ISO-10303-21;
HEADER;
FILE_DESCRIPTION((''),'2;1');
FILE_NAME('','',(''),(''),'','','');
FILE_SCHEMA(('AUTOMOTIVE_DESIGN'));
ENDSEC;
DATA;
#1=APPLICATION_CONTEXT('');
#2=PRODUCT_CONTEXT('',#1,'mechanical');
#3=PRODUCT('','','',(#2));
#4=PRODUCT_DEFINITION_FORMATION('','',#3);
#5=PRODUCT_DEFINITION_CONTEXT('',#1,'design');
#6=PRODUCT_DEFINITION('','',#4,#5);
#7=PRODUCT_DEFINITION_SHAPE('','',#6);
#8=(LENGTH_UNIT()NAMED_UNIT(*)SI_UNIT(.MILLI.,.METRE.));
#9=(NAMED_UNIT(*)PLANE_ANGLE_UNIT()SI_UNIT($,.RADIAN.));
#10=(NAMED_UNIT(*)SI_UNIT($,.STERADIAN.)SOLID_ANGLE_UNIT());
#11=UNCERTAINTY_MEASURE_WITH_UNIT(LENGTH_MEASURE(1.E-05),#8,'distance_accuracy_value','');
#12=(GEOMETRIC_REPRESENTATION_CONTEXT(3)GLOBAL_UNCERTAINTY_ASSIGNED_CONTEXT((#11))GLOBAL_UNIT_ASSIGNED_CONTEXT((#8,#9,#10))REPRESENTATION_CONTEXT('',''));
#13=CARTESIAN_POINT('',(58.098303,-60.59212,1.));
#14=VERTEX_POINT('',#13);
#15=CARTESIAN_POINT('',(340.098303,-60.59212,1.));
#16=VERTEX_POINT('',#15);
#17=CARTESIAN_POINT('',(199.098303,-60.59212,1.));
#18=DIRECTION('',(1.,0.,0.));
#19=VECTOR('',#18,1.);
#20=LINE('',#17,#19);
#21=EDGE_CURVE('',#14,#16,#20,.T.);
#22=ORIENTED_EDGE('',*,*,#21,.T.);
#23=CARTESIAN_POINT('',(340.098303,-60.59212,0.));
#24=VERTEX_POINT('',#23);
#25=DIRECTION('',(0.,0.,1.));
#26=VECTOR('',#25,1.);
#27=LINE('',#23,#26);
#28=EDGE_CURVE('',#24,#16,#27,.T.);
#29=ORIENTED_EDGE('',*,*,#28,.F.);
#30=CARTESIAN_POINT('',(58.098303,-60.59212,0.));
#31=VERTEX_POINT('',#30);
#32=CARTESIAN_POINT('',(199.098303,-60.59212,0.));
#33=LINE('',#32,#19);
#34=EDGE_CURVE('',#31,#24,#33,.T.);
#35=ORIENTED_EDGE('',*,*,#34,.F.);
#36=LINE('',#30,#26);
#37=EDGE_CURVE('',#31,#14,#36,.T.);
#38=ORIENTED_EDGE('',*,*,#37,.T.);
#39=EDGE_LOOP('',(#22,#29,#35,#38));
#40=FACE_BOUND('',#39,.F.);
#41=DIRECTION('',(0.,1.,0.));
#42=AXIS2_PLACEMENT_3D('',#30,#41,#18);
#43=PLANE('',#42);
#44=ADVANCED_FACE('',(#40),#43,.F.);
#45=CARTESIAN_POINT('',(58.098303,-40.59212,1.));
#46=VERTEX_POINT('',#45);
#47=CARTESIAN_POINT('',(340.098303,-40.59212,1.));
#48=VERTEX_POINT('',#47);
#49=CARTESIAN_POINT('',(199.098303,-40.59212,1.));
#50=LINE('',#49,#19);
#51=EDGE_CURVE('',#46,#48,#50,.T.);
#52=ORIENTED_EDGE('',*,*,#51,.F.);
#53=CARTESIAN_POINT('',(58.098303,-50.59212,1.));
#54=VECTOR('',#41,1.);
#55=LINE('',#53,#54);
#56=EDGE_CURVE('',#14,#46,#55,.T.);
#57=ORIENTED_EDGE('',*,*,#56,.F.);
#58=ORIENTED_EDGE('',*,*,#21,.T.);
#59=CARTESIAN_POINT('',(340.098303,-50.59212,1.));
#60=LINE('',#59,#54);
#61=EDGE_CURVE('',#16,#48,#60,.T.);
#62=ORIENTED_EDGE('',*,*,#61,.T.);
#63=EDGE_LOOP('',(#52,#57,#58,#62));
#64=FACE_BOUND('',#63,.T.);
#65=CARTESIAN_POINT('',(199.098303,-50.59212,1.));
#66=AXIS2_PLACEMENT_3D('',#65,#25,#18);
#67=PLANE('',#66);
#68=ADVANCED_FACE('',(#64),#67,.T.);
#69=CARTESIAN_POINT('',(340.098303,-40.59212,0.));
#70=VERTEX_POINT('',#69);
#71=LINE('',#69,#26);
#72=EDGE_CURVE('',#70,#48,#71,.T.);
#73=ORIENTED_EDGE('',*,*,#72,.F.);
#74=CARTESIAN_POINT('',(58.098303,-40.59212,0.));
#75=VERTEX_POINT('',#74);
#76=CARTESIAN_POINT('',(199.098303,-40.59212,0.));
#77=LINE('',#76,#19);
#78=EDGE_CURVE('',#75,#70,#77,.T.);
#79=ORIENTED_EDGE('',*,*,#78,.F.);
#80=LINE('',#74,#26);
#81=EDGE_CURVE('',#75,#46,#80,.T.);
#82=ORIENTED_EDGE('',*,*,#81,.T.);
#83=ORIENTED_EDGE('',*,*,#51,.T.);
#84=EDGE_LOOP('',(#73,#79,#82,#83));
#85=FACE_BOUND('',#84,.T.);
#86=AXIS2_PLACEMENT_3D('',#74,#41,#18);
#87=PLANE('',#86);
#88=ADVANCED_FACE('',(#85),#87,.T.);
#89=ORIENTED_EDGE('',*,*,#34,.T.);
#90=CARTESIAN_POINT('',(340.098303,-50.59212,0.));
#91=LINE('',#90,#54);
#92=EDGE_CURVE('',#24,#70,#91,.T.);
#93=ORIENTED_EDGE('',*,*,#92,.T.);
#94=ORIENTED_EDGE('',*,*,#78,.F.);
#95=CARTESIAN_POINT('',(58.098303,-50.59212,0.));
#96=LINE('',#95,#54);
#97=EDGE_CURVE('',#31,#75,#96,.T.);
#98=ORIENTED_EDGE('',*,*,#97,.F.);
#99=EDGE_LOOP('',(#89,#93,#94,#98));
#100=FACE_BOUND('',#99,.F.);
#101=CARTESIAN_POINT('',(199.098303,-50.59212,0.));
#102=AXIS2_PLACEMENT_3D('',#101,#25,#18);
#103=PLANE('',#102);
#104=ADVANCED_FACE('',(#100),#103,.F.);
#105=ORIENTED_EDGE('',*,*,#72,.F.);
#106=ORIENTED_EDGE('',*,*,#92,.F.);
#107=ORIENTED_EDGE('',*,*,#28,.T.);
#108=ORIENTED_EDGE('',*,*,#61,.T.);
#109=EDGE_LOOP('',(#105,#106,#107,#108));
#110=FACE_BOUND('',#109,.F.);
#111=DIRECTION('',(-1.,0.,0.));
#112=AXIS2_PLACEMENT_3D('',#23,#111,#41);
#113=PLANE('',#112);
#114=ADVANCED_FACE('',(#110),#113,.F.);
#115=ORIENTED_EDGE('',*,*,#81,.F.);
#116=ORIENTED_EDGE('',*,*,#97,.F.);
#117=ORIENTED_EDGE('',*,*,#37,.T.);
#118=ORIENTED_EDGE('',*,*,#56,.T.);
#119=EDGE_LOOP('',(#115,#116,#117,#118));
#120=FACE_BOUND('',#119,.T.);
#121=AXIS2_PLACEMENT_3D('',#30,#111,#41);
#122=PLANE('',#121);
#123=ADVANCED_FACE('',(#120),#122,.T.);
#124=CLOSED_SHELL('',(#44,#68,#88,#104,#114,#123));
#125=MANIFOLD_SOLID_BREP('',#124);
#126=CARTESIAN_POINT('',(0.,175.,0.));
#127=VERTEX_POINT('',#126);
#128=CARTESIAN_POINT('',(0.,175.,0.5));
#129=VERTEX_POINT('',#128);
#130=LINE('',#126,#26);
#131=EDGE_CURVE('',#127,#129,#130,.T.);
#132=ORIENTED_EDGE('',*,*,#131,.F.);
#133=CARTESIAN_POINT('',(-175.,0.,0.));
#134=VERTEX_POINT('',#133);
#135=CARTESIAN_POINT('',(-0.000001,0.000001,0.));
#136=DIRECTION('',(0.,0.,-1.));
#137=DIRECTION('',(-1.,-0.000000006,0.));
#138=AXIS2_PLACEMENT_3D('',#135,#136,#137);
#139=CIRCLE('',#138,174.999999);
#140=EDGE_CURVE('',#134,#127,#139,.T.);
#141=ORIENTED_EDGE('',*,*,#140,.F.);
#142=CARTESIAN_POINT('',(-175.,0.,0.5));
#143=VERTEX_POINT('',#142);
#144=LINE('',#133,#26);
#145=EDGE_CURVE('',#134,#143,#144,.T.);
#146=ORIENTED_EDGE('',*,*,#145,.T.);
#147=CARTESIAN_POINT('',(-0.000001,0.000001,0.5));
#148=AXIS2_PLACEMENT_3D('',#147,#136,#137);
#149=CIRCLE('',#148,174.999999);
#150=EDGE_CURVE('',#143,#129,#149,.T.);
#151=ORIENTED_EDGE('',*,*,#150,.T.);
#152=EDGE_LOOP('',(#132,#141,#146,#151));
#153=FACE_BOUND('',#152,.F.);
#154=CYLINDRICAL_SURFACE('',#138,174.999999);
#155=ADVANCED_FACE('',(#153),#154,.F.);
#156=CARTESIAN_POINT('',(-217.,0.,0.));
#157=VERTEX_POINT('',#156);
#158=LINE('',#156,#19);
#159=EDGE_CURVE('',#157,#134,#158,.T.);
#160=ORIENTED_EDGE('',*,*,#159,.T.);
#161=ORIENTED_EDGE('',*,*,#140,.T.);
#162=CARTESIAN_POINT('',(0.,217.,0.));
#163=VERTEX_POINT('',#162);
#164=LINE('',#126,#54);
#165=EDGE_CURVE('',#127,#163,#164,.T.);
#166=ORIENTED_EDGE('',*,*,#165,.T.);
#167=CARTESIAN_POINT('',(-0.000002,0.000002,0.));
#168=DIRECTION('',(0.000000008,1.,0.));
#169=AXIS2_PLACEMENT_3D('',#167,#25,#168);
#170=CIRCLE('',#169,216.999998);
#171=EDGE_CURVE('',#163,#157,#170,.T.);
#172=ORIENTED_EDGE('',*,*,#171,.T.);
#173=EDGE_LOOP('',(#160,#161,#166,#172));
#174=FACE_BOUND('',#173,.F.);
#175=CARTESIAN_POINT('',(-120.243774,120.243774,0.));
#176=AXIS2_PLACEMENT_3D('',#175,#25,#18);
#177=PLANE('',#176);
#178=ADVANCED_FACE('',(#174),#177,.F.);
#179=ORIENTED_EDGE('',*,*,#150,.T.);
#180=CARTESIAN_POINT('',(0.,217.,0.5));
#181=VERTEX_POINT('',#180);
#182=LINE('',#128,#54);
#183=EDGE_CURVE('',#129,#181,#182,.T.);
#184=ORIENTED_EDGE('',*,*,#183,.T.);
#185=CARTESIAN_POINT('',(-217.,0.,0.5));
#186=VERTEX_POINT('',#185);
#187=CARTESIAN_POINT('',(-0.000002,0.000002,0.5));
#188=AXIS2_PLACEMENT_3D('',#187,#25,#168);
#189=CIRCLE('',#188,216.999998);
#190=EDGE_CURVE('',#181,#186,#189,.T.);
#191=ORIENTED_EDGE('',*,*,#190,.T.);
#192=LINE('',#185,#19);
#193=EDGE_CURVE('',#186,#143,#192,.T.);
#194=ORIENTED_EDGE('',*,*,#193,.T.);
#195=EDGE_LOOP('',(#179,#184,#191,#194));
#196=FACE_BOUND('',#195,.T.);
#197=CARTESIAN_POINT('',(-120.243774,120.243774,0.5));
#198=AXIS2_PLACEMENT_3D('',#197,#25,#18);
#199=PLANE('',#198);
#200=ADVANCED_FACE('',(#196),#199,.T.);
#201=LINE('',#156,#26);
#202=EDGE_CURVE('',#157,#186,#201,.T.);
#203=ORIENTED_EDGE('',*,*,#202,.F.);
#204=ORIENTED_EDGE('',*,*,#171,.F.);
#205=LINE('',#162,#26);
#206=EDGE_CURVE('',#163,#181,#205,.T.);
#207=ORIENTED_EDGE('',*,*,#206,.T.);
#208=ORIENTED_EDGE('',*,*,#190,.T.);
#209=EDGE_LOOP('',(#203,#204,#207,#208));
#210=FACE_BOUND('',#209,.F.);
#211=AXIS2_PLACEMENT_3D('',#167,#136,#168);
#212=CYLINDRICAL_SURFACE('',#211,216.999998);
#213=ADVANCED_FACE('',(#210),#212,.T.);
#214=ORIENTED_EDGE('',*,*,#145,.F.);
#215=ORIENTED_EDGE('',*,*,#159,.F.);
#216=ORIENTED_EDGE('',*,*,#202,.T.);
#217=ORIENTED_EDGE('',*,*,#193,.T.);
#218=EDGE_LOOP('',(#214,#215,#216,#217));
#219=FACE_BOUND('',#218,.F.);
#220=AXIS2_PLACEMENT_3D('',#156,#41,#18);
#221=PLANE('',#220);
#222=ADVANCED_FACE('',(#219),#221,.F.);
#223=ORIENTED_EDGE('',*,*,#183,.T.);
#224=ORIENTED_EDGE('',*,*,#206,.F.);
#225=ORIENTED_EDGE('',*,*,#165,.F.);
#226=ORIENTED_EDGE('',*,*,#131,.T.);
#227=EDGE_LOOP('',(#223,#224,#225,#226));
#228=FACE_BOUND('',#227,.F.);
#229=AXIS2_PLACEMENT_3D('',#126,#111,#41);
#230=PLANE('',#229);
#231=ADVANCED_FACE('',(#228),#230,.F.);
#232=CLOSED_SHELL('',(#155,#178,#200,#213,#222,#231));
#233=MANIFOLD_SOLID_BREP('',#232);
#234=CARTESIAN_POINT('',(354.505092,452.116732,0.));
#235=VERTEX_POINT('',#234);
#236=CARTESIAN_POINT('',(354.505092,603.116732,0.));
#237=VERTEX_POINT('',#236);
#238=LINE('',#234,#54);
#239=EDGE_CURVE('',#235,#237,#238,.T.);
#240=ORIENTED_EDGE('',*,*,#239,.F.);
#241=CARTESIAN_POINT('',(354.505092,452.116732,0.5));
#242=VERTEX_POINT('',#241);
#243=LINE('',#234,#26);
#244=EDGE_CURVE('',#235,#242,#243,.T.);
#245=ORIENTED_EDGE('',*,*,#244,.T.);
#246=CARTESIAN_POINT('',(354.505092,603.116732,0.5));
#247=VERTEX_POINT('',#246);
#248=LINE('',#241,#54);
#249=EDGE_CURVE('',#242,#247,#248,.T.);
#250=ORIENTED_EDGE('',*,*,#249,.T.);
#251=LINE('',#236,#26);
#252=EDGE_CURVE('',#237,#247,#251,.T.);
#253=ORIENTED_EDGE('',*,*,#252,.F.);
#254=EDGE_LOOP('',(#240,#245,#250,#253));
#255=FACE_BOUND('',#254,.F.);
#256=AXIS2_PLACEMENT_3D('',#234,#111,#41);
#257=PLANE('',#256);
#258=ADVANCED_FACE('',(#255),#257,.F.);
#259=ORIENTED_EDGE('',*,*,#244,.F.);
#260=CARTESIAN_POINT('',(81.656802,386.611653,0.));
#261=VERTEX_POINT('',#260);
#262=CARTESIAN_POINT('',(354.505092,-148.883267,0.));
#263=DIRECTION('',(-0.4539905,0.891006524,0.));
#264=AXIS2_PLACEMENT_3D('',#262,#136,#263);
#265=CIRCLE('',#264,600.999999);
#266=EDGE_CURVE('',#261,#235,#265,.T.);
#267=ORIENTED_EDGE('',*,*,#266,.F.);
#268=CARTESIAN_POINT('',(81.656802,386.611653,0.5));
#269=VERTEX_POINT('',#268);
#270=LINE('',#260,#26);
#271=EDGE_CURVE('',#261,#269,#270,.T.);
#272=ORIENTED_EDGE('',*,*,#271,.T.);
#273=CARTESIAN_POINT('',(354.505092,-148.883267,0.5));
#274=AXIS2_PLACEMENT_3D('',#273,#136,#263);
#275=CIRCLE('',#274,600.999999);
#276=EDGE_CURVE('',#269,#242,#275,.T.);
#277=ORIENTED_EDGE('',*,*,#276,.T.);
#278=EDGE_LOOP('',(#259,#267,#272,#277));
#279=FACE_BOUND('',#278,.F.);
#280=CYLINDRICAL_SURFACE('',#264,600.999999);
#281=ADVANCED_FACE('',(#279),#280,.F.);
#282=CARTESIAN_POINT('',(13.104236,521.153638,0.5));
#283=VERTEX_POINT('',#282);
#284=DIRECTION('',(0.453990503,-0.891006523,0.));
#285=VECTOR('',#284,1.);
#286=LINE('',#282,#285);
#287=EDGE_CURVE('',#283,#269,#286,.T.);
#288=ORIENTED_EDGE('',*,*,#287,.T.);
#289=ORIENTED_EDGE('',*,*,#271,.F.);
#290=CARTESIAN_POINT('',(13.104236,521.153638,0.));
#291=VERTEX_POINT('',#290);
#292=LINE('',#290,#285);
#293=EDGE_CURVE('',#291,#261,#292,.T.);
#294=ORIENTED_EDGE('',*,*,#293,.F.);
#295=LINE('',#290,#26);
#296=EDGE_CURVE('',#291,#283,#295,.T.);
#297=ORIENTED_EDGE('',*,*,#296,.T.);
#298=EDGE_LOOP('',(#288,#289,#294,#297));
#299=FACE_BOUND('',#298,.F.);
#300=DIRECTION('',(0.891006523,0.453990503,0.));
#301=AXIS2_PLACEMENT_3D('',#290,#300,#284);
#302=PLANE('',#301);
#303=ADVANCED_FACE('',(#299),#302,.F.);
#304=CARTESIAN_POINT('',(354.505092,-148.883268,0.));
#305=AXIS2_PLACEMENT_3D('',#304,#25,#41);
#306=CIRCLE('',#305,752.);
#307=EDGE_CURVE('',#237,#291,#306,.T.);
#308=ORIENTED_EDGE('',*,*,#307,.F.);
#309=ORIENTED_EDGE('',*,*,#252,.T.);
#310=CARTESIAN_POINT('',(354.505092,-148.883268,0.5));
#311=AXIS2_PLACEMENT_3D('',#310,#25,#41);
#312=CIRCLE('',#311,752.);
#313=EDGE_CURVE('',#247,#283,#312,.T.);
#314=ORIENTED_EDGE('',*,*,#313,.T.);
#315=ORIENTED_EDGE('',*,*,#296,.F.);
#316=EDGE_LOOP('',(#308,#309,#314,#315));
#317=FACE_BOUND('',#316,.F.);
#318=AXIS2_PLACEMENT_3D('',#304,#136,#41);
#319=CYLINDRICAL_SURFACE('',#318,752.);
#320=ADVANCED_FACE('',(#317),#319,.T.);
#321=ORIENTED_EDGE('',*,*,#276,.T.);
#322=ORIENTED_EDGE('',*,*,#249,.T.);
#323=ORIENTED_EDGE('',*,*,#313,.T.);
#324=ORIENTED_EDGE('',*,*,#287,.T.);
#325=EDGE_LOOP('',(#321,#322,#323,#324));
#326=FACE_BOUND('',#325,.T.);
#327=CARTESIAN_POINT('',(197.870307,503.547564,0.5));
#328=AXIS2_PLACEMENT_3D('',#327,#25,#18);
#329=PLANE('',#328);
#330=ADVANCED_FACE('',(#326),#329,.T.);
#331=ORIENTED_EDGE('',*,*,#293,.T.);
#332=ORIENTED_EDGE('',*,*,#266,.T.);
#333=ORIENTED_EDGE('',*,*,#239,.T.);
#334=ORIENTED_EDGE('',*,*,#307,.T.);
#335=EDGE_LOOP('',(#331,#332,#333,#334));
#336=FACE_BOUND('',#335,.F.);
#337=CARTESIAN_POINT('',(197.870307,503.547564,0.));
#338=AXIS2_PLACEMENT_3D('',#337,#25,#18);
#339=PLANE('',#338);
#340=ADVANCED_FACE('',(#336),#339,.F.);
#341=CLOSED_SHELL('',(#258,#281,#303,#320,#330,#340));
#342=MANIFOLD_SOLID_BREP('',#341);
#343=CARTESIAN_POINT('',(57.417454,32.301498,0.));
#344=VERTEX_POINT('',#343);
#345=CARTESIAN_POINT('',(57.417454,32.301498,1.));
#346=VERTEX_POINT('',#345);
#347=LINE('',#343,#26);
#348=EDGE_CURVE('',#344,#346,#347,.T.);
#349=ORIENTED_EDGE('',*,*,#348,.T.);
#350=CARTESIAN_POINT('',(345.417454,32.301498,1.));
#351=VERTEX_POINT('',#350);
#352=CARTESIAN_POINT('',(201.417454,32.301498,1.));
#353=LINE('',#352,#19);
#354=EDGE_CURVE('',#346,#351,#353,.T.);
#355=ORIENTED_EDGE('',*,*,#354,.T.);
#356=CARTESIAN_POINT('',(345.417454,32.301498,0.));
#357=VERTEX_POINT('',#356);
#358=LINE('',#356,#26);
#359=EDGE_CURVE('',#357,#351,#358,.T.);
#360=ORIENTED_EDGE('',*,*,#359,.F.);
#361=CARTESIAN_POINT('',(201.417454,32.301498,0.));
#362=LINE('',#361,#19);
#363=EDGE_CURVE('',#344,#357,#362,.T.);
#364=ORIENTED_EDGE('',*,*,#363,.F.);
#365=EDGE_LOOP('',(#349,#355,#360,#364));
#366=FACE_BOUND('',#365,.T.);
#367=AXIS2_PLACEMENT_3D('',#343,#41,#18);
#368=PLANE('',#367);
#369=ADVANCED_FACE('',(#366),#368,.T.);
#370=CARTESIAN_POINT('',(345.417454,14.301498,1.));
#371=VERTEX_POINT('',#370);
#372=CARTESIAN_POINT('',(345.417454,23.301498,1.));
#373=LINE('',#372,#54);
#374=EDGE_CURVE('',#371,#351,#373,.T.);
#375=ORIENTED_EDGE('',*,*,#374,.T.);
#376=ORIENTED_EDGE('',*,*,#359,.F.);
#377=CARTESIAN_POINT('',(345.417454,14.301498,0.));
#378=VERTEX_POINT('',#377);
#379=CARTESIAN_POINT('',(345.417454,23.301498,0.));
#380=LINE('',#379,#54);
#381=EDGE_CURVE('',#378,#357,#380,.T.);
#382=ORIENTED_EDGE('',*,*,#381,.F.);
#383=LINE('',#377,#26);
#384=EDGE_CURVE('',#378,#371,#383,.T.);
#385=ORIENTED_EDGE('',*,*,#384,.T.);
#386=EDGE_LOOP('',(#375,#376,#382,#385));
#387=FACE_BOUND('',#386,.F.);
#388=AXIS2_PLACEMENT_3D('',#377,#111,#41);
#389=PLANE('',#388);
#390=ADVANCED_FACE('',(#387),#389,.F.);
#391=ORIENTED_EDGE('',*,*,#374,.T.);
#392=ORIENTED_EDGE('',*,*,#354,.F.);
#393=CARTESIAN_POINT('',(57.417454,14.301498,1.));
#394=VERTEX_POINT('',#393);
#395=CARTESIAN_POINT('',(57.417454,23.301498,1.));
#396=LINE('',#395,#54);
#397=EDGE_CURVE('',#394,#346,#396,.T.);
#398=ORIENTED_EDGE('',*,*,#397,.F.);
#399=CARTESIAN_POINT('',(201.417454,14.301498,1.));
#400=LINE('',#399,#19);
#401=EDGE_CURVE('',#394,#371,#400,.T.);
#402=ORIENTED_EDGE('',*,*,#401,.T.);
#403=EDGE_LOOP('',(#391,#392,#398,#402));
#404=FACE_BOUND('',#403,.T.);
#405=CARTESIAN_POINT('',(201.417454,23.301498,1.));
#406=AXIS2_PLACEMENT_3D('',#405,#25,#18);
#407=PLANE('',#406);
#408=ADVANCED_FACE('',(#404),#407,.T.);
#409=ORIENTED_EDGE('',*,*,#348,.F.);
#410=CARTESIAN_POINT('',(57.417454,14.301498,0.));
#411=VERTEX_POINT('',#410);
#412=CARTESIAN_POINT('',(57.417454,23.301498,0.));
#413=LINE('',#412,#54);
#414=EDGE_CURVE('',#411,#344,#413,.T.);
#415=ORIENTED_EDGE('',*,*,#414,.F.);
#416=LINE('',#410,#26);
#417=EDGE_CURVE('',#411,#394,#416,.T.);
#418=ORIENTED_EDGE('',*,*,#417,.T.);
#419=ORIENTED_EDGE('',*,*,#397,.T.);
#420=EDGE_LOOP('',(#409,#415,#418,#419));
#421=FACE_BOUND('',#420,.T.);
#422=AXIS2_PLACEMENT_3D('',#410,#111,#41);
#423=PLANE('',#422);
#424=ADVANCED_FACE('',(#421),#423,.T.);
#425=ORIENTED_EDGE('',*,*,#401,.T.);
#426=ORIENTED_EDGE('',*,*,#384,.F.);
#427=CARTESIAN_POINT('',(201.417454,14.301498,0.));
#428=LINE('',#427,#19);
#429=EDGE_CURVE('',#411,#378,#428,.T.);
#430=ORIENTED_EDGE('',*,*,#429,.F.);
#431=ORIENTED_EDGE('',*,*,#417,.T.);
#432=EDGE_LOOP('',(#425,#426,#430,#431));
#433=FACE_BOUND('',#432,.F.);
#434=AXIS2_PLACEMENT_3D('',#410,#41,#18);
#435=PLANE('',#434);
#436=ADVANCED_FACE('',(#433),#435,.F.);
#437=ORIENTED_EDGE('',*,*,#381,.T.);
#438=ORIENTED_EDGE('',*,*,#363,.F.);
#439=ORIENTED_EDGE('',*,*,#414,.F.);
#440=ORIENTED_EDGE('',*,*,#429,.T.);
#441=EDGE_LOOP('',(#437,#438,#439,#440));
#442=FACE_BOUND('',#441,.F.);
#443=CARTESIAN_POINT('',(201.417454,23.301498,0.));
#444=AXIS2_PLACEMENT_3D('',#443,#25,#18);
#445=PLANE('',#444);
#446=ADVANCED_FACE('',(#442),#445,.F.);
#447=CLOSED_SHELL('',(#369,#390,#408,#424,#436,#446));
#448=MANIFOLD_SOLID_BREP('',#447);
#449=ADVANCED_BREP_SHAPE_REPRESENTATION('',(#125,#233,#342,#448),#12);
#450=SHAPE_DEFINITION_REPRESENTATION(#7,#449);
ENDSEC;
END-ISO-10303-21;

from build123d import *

# Parameters (mm, degrees)
F2_DEPTH = 0.5
F3_W     = 288
F3_H     = 18
F3_W_2   = 282
F3_H_2   = 20
F4_DEPTH = 1
F5_DEPTH = 0.5


with BuildPart() as f2:
    # F0 (on Top) → F2 (new body)
    with BuildSketch(Plane.XY):
        with BuildLine():
            ThreePointArc((-175, 0), (-123.743687, 123.743687), (0, 175))
            Line((0, 175), (0, 217))
            ThreePointArc((0, 217), (-153.442172, 153.442172), (-217, 0))
            Line((-217, 0), (-175, 0))
        make_face()
    extrude(amount=F2_DEPTH)


with BuildPart() as f4:
    # F3 (on Top) → F4 (new body)
    with BuildSketch(Plane.XY):
        with Locations((201.417454, 23.301498)):
            Rectangle(F3_W, F3_H)
        with Locations((199.098303, -50.59212)):
            Rectangle(F3_W_2, F3_H_2)
    extrude(amount=F4_DEPTH)


with BuildPart() as f5:
    # F1 (on Top) → F5 (new body)
    with BuildSketch(Plane.XY):
        with BuildLine():
            ThreePointArc((81.656802, 386.611653), (214.204428, 435.511054), (354.505092, 452.116732))
            Line((354.505092, 452.116732), (354.505092, 603.116732))
            ThreePointArc((354.505092, 603.116732), (178.954178, 582.338912), (13.104236, 521.153638))
            Line((13.104236, 521.153638), (81.656802, 386.611653))
        make_face()
    extrude(amount=F5_DEPTH)


solid = Compound([f2.part, f4.part, f5.part])
